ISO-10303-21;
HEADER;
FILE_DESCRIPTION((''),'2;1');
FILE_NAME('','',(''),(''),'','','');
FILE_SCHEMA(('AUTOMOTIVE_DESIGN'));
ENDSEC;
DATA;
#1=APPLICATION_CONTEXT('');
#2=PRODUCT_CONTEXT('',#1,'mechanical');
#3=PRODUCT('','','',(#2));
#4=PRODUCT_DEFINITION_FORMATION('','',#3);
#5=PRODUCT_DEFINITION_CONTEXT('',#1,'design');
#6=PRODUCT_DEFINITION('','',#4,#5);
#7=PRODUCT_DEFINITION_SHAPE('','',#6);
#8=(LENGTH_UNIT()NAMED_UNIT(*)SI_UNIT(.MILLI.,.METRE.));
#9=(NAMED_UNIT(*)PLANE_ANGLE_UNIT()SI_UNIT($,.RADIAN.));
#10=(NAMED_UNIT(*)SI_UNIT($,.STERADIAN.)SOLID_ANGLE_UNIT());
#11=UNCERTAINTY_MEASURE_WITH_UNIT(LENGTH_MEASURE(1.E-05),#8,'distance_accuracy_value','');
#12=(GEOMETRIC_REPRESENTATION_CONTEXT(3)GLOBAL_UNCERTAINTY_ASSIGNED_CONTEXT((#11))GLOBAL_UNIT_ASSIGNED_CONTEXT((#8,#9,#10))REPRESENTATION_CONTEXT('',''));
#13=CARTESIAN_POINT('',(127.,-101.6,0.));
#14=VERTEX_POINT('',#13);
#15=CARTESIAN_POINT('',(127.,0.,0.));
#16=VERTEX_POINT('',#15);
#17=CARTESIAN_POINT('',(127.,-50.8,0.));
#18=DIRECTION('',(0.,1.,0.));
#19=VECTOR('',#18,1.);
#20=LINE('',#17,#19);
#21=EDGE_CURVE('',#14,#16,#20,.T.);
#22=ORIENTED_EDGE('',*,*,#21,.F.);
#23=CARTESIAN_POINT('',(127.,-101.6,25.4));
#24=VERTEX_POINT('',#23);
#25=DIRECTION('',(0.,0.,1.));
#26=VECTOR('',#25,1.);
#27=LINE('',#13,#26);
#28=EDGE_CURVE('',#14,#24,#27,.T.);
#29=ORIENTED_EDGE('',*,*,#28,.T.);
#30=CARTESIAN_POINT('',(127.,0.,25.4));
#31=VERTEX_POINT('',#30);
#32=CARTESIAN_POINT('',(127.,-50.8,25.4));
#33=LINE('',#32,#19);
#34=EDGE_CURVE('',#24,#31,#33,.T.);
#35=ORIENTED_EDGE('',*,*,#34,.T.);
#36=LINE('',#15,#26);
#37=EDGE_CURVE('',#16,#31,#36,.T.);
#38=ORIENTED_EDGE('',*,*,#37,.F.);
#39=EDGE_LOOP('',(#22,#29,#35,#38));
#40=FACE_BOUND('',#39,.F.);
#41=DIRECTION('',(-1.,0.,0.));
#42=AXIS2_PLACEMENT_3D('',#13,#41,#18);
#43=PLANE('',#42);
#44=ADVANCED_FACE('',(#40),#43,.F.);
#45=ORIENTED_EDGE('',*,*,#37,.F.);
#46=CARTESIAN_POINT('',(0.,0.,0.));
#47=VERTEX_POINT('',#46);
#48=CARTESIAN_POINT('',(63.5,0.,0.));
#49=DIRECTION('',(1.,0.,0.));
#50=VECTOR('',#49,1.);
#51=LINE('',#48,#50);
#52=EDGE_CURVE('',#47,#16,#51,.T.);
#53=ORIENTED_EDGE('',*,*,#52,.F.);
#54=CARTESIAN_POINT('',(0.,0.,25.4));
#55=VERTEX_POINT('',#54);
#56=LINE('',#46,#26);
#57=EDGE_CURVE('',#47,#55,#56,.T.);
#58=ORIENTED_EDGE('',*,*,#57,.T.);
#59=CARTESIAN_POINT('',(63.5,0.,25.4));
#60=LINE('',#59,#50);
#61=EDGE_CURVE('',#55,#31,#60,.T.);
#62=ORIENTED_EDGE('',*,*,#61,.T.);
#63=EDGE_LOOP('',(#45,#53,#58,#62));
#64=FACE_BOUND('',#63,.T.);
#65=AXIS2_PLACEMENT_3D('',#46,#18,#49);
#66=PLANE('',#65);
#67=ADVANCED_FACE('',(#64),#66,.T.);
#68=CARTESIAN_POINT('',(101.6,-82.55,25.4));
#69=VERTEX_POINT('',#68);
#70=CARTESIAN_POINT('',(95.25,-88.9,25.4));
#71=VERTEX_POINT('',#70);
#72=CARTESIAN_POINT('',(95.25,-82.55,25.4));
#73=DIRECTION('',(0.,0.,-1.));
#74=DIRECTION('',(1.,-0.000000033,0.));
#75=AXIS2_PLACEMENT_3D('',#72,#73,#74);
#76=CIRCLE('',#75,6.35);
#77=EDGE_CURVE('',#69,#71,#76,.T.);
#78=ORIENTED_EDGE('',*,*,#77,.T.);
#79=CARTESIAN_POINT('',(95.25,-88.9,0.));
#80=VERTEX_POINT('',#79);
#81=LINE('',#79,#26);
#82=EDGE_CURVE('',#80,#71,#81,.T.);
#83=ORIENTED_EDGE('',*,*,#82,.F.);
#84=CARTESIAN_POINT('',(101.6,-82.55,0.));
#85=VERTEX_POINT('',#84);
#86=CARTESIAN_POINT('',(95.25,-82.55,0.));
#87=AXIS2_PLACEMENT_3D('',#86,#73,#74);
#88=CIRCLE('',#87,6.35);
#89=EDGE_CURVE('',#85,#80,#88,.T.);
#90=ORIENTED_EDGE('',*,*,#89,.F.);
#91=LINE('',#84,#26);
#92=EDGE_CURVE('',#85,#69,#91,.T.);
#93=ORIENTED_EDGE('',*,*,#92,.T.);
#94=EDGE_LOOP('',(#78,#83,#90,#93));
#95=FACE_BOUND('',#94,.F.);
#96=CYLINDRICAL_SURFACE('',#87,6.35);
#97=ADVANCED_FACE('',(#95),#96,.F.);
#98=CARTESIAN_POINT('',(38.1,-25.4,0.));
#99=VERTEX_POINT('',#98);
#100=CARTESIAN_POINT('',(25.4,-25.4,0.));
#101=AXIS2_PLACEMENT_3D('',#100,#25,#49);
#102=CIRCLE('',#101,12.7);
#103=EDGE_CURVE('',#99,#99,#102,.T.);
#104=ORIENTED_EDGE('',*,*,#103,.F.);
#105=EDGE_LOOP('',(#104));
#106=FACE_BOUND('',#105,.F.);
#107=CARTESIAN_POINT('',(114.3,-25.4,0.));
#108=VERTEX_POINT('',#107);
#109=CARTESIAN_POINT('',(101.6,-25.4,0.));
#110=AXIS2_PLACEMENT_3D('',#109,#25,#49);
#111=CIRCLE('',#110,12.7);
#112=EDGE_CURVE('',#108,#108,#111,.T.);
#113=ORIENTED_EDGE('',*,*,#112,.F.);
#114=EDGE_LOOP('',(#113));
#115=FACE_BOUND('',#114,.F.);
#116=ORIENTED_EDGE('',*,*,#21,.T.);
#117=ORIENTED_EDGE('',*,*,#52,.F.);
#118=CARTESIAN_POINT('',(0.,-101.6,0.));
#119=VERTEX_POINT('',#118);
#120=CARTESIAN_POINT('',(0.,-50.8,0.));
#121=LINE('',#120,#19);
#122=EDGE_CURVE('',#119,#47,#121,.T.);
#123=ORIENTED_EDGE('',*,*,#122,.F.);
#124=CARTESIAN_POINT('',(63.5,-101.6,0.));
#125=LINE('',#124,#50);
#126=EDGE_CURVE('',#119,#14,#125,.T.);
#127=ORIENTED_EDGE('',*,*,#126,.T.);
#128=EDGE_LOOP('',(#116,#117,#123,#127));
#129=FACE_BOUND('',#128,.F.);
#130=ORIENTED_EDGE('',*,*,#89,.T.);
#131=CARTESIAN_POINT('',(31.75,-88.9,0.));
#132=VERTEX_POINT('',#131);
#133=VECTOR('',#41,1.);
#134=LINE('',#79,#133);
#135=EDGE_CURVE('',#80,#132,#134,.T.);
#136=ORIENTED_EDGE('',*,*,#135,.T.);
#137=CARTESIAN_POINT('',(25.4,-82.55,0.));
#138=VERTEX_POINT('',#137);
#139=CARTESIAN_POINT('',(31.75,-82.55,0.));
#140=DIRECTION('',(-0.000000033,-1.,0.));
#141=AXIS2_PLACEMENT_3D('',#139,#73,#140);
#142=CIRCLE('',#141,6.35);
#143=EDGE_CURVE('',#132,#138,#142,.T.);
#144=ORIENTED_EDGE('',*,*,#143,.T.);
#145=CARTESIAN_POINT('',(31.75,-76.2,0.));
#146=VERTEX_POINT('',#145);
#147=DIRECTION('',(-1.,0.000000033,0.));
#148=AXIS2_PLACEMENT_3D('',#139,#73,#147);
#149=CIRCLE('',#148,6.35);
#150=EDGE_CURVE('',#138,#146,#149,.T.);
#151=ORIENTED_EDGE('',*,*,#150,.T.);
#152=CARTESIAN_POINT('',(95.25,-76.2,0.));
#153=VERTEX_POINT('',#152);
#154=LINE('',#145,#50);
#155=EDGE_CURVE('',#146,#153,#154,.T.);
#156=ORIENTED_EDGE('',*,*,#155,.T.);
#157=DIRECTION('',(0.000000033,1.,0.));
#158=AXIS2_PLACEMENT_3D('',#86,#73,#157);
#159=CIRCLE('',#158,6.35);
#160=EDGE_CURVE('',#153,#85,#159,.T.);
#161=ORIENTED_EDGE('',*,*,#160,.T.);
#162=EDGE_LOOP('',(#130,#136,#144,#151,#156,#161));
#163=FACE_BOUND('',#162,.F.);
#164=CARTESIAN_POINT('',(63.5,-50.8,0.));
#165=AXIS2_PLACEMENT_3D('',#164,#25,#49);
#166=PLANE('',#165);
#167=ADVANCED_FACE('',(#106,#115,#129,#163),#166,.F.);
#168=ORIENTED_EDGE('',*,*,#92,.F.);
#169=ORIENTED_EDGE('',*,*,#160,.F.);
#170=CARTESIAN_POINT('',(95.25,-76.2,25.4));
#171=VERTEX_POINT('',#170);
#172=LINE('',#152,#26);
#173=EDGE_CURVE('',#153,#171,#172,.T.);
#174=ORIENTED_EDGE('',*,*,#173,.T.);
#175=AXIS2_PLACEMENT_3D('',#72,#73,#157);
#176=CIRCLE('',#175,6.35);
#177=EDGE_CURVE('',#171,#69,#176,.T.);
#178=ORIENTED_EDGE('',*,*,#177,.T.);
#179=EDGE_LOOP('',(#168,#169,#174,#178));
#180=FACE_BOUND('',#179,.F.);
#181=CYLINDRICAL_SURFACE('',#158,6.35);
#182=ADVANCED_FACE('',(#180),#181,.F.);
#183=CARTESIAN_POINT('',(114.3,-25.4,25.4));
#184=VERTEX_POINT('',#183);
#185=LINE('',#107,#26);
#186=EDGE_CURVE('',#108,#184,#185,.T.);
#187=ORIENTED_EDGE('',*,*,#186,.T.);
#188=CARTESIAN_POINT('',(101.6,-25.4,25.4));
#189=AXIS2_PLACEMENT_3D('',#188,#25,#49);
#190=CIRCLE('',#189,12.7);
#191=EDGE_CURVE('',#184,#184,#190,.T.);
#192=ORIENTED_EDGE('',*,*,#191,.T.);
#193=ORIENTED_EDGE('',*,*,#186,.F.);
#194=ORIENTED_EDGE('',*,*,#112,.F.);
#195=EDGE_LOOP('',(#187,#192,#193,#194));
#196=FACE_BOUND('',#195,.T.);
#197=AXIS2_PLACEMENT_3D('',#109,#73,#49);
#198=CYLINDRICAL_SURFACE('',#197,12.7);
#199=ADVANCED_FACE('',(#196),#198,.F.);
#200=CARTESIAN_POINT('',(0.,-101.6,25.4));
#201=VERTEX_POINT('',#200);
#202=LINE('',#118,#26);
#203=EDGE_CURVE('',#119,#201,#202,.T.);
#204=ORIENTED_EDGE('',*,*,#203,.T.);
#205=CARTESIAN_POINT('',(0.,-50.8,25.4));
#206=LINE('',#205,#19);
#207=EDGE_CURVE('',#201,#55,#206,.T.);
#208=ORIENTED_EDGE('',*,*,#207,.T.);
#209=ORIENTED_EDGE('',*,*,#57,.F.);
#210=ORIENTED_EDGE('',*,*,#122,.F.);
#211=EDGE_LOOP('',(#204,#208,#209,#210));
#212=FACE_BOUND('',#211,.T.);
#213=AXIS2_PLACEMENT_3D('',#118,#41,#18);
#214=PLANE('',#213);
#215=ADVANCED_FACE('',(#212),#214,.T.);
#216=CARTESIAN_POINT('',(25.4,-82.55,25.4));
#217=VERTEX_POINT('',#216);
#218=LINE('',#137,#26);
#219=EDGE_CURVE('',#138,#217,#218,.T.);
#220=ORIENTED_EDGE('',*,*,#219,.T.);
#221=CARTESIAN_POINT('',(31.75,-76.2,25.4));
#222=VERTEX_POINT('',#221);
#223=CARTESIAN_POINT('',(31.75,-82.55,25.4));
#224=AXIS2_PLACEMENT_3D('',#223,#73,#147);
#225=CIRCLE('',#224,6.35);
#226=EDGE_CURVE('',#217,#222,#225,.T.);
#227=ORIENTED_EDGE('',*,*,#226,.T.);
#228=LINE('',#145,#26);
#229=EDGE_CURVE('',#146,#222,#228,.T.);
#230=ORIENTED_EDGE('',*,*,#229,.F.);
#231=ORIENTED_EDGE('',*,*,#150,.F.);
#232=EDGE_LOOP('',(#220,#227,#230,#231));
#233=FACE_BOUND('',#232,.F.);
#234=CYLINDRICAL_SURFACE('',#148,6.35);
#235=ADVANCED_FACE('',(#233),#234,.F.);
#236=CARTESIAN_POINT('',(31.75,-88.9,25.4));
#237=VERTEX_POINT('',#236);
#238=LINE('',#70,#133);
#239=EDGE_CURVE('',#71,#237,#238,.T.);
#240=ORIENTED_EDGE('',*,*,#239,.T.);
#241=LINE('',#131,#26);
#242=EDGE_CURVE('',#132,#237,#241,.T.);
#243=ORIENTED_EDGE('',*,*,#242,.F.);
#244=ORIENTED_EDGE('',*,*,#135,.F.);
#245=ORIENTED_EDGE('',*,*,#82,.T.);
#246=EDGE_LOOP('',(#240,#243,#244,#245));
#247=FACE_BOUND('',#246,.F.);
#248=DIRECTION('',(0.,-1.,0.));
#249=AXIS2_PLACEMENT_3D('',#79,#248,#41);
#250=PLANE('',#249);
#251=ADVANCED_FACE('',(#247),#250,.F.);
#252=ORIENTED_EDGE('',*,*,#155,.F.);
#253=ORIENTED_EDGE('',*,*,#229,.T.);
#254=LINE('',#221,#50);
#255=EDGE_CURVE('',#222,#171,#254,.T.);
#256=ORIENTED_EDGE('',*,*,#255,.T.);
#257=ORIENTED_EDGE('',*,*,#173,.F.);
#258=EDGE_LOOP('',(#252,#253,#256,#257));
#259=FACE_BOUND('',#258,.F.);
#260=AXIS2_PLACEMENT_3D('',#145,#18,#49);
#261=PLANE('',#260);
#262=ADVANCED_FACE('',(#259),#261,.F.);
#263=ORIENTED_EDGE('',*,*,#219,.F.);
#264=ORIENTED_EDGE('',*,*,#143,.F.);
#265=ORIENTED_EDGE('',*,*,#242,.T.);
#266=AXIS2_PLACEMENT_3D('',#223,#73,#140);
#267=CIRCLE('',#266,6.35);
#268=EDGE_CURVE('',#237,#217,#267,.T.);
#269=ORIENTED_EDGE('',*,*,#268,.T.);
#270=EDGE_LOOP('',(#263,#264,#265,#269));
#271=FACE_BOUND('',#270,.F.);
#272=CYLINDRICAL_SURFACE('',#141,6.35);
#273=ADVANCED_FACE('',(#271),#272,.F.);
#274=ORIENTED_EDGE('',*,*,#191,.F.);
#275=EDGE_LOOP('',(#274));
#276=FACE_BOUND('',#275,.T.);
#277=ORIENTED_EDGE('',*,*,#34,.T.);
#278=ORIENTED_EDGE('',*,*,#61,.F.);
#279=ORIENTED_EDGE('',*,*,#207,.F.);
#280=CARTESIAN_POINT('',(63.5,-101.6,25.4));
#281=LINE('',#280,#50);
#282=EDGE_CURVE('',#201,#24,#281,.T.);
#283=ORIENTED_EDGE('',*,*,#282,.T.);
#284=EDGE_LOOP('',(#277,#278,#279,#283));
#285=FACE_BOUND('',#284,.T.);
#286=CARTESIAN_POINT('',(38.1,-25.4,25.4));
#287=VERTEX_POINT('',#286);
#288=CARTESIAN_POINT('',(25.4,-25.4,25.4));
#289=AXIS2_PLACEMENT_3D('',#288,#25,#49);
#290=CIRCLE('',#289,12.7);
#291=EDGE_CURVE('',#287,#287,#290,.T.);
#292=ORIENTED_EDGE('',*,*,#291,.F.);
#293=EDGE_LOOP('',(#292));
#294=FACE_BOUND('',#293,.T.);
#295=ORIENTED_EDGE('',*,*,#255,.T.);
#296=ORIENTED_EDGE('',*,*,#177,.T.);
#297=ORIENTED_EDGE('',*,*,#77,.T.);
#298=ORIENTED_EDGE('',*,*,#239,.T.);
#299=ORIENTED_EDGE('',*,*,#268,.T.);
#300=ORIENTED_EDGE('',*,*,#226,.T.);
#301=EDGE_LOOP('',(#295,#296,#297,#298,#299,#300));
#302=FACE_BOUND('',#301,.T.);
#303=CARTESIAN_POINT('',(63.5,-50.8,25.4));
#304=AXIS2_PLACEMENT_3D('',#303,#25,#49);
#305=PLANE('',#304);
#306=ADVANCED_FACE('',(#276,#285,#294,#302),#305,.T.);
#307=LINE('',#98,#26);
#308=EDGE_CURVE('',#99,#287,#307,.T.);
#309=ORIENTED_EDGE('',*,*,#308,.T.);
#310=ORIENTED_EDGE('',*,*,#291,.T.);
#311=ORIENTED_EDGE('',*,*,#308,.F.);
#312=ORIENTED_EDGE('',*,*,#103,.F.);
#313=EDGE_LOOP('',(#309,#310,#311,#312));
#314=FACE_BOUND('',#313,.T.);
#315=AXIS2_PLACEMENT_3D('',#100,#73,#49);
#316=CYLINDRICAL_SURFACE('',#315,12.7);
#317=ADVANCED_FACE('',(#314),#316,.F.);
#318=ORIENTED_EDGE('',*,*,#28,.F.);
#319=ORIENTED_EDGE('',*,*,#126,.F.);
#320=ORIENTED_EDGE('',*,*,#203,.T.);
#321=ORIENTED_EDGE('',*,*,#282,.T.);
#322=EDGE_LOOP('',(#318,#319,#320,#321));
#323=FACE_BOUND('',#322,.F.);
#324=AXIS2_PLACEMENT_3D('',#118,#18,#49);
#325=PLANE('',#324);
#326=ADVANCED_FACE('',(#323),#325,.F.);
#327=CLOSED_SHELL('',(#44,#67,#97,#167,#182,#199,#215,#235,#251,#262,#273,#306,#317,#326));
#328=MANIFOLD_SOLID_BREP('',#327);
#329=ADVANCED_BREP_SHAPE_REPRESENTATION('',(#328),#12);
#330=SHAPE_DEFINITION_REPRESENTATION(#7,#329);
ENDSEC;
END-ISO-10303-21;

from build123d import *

# Parameters (mm, degrees)
F0_W     = 127
F0_H     = 101.6
F0_R     = 12.7
F1_DEPTH = 25.4


with BuildPart() as f1:
    # F0 (on Top) → F1 (new body)
    with BuildSketch(Plane.XY):
        with Locations((63.5, -50.8)):
            Rectangle(F0_W, F0_H)
        with BuildLine():
            ThreePointArc((25.4, -82.55), (27.259872, -78.059872), (31.75, -76.2))
            Line((31.75, -76.2), (95.25, -76.2))
            ThreePointArc((95.25, -76.2), (99.740128, -78.059872), (101.6, -82.55))
            ThreePointArc((101.6, -82.55), (99.740128, -87.040128), (95.25, -88.9))
            Line((95.25, -88.9), (31.75, -88.9))
            ThreePointArc((31.75, -88.9), (27.259872, -87.040128), (25.4, -82.55))
        make_face(mode=Mode.SUBTRACT)
        with Locations((25.4, -25.4)):
            Circle(F0_R, mode=Mode.SUBTRACT)
        with Locations((101.6, -25.4)):
            Circle(F0_R, mode=Mode.SUBTRACT)
    extrude(amount=F1_DEPTH)


solid = f1.part
